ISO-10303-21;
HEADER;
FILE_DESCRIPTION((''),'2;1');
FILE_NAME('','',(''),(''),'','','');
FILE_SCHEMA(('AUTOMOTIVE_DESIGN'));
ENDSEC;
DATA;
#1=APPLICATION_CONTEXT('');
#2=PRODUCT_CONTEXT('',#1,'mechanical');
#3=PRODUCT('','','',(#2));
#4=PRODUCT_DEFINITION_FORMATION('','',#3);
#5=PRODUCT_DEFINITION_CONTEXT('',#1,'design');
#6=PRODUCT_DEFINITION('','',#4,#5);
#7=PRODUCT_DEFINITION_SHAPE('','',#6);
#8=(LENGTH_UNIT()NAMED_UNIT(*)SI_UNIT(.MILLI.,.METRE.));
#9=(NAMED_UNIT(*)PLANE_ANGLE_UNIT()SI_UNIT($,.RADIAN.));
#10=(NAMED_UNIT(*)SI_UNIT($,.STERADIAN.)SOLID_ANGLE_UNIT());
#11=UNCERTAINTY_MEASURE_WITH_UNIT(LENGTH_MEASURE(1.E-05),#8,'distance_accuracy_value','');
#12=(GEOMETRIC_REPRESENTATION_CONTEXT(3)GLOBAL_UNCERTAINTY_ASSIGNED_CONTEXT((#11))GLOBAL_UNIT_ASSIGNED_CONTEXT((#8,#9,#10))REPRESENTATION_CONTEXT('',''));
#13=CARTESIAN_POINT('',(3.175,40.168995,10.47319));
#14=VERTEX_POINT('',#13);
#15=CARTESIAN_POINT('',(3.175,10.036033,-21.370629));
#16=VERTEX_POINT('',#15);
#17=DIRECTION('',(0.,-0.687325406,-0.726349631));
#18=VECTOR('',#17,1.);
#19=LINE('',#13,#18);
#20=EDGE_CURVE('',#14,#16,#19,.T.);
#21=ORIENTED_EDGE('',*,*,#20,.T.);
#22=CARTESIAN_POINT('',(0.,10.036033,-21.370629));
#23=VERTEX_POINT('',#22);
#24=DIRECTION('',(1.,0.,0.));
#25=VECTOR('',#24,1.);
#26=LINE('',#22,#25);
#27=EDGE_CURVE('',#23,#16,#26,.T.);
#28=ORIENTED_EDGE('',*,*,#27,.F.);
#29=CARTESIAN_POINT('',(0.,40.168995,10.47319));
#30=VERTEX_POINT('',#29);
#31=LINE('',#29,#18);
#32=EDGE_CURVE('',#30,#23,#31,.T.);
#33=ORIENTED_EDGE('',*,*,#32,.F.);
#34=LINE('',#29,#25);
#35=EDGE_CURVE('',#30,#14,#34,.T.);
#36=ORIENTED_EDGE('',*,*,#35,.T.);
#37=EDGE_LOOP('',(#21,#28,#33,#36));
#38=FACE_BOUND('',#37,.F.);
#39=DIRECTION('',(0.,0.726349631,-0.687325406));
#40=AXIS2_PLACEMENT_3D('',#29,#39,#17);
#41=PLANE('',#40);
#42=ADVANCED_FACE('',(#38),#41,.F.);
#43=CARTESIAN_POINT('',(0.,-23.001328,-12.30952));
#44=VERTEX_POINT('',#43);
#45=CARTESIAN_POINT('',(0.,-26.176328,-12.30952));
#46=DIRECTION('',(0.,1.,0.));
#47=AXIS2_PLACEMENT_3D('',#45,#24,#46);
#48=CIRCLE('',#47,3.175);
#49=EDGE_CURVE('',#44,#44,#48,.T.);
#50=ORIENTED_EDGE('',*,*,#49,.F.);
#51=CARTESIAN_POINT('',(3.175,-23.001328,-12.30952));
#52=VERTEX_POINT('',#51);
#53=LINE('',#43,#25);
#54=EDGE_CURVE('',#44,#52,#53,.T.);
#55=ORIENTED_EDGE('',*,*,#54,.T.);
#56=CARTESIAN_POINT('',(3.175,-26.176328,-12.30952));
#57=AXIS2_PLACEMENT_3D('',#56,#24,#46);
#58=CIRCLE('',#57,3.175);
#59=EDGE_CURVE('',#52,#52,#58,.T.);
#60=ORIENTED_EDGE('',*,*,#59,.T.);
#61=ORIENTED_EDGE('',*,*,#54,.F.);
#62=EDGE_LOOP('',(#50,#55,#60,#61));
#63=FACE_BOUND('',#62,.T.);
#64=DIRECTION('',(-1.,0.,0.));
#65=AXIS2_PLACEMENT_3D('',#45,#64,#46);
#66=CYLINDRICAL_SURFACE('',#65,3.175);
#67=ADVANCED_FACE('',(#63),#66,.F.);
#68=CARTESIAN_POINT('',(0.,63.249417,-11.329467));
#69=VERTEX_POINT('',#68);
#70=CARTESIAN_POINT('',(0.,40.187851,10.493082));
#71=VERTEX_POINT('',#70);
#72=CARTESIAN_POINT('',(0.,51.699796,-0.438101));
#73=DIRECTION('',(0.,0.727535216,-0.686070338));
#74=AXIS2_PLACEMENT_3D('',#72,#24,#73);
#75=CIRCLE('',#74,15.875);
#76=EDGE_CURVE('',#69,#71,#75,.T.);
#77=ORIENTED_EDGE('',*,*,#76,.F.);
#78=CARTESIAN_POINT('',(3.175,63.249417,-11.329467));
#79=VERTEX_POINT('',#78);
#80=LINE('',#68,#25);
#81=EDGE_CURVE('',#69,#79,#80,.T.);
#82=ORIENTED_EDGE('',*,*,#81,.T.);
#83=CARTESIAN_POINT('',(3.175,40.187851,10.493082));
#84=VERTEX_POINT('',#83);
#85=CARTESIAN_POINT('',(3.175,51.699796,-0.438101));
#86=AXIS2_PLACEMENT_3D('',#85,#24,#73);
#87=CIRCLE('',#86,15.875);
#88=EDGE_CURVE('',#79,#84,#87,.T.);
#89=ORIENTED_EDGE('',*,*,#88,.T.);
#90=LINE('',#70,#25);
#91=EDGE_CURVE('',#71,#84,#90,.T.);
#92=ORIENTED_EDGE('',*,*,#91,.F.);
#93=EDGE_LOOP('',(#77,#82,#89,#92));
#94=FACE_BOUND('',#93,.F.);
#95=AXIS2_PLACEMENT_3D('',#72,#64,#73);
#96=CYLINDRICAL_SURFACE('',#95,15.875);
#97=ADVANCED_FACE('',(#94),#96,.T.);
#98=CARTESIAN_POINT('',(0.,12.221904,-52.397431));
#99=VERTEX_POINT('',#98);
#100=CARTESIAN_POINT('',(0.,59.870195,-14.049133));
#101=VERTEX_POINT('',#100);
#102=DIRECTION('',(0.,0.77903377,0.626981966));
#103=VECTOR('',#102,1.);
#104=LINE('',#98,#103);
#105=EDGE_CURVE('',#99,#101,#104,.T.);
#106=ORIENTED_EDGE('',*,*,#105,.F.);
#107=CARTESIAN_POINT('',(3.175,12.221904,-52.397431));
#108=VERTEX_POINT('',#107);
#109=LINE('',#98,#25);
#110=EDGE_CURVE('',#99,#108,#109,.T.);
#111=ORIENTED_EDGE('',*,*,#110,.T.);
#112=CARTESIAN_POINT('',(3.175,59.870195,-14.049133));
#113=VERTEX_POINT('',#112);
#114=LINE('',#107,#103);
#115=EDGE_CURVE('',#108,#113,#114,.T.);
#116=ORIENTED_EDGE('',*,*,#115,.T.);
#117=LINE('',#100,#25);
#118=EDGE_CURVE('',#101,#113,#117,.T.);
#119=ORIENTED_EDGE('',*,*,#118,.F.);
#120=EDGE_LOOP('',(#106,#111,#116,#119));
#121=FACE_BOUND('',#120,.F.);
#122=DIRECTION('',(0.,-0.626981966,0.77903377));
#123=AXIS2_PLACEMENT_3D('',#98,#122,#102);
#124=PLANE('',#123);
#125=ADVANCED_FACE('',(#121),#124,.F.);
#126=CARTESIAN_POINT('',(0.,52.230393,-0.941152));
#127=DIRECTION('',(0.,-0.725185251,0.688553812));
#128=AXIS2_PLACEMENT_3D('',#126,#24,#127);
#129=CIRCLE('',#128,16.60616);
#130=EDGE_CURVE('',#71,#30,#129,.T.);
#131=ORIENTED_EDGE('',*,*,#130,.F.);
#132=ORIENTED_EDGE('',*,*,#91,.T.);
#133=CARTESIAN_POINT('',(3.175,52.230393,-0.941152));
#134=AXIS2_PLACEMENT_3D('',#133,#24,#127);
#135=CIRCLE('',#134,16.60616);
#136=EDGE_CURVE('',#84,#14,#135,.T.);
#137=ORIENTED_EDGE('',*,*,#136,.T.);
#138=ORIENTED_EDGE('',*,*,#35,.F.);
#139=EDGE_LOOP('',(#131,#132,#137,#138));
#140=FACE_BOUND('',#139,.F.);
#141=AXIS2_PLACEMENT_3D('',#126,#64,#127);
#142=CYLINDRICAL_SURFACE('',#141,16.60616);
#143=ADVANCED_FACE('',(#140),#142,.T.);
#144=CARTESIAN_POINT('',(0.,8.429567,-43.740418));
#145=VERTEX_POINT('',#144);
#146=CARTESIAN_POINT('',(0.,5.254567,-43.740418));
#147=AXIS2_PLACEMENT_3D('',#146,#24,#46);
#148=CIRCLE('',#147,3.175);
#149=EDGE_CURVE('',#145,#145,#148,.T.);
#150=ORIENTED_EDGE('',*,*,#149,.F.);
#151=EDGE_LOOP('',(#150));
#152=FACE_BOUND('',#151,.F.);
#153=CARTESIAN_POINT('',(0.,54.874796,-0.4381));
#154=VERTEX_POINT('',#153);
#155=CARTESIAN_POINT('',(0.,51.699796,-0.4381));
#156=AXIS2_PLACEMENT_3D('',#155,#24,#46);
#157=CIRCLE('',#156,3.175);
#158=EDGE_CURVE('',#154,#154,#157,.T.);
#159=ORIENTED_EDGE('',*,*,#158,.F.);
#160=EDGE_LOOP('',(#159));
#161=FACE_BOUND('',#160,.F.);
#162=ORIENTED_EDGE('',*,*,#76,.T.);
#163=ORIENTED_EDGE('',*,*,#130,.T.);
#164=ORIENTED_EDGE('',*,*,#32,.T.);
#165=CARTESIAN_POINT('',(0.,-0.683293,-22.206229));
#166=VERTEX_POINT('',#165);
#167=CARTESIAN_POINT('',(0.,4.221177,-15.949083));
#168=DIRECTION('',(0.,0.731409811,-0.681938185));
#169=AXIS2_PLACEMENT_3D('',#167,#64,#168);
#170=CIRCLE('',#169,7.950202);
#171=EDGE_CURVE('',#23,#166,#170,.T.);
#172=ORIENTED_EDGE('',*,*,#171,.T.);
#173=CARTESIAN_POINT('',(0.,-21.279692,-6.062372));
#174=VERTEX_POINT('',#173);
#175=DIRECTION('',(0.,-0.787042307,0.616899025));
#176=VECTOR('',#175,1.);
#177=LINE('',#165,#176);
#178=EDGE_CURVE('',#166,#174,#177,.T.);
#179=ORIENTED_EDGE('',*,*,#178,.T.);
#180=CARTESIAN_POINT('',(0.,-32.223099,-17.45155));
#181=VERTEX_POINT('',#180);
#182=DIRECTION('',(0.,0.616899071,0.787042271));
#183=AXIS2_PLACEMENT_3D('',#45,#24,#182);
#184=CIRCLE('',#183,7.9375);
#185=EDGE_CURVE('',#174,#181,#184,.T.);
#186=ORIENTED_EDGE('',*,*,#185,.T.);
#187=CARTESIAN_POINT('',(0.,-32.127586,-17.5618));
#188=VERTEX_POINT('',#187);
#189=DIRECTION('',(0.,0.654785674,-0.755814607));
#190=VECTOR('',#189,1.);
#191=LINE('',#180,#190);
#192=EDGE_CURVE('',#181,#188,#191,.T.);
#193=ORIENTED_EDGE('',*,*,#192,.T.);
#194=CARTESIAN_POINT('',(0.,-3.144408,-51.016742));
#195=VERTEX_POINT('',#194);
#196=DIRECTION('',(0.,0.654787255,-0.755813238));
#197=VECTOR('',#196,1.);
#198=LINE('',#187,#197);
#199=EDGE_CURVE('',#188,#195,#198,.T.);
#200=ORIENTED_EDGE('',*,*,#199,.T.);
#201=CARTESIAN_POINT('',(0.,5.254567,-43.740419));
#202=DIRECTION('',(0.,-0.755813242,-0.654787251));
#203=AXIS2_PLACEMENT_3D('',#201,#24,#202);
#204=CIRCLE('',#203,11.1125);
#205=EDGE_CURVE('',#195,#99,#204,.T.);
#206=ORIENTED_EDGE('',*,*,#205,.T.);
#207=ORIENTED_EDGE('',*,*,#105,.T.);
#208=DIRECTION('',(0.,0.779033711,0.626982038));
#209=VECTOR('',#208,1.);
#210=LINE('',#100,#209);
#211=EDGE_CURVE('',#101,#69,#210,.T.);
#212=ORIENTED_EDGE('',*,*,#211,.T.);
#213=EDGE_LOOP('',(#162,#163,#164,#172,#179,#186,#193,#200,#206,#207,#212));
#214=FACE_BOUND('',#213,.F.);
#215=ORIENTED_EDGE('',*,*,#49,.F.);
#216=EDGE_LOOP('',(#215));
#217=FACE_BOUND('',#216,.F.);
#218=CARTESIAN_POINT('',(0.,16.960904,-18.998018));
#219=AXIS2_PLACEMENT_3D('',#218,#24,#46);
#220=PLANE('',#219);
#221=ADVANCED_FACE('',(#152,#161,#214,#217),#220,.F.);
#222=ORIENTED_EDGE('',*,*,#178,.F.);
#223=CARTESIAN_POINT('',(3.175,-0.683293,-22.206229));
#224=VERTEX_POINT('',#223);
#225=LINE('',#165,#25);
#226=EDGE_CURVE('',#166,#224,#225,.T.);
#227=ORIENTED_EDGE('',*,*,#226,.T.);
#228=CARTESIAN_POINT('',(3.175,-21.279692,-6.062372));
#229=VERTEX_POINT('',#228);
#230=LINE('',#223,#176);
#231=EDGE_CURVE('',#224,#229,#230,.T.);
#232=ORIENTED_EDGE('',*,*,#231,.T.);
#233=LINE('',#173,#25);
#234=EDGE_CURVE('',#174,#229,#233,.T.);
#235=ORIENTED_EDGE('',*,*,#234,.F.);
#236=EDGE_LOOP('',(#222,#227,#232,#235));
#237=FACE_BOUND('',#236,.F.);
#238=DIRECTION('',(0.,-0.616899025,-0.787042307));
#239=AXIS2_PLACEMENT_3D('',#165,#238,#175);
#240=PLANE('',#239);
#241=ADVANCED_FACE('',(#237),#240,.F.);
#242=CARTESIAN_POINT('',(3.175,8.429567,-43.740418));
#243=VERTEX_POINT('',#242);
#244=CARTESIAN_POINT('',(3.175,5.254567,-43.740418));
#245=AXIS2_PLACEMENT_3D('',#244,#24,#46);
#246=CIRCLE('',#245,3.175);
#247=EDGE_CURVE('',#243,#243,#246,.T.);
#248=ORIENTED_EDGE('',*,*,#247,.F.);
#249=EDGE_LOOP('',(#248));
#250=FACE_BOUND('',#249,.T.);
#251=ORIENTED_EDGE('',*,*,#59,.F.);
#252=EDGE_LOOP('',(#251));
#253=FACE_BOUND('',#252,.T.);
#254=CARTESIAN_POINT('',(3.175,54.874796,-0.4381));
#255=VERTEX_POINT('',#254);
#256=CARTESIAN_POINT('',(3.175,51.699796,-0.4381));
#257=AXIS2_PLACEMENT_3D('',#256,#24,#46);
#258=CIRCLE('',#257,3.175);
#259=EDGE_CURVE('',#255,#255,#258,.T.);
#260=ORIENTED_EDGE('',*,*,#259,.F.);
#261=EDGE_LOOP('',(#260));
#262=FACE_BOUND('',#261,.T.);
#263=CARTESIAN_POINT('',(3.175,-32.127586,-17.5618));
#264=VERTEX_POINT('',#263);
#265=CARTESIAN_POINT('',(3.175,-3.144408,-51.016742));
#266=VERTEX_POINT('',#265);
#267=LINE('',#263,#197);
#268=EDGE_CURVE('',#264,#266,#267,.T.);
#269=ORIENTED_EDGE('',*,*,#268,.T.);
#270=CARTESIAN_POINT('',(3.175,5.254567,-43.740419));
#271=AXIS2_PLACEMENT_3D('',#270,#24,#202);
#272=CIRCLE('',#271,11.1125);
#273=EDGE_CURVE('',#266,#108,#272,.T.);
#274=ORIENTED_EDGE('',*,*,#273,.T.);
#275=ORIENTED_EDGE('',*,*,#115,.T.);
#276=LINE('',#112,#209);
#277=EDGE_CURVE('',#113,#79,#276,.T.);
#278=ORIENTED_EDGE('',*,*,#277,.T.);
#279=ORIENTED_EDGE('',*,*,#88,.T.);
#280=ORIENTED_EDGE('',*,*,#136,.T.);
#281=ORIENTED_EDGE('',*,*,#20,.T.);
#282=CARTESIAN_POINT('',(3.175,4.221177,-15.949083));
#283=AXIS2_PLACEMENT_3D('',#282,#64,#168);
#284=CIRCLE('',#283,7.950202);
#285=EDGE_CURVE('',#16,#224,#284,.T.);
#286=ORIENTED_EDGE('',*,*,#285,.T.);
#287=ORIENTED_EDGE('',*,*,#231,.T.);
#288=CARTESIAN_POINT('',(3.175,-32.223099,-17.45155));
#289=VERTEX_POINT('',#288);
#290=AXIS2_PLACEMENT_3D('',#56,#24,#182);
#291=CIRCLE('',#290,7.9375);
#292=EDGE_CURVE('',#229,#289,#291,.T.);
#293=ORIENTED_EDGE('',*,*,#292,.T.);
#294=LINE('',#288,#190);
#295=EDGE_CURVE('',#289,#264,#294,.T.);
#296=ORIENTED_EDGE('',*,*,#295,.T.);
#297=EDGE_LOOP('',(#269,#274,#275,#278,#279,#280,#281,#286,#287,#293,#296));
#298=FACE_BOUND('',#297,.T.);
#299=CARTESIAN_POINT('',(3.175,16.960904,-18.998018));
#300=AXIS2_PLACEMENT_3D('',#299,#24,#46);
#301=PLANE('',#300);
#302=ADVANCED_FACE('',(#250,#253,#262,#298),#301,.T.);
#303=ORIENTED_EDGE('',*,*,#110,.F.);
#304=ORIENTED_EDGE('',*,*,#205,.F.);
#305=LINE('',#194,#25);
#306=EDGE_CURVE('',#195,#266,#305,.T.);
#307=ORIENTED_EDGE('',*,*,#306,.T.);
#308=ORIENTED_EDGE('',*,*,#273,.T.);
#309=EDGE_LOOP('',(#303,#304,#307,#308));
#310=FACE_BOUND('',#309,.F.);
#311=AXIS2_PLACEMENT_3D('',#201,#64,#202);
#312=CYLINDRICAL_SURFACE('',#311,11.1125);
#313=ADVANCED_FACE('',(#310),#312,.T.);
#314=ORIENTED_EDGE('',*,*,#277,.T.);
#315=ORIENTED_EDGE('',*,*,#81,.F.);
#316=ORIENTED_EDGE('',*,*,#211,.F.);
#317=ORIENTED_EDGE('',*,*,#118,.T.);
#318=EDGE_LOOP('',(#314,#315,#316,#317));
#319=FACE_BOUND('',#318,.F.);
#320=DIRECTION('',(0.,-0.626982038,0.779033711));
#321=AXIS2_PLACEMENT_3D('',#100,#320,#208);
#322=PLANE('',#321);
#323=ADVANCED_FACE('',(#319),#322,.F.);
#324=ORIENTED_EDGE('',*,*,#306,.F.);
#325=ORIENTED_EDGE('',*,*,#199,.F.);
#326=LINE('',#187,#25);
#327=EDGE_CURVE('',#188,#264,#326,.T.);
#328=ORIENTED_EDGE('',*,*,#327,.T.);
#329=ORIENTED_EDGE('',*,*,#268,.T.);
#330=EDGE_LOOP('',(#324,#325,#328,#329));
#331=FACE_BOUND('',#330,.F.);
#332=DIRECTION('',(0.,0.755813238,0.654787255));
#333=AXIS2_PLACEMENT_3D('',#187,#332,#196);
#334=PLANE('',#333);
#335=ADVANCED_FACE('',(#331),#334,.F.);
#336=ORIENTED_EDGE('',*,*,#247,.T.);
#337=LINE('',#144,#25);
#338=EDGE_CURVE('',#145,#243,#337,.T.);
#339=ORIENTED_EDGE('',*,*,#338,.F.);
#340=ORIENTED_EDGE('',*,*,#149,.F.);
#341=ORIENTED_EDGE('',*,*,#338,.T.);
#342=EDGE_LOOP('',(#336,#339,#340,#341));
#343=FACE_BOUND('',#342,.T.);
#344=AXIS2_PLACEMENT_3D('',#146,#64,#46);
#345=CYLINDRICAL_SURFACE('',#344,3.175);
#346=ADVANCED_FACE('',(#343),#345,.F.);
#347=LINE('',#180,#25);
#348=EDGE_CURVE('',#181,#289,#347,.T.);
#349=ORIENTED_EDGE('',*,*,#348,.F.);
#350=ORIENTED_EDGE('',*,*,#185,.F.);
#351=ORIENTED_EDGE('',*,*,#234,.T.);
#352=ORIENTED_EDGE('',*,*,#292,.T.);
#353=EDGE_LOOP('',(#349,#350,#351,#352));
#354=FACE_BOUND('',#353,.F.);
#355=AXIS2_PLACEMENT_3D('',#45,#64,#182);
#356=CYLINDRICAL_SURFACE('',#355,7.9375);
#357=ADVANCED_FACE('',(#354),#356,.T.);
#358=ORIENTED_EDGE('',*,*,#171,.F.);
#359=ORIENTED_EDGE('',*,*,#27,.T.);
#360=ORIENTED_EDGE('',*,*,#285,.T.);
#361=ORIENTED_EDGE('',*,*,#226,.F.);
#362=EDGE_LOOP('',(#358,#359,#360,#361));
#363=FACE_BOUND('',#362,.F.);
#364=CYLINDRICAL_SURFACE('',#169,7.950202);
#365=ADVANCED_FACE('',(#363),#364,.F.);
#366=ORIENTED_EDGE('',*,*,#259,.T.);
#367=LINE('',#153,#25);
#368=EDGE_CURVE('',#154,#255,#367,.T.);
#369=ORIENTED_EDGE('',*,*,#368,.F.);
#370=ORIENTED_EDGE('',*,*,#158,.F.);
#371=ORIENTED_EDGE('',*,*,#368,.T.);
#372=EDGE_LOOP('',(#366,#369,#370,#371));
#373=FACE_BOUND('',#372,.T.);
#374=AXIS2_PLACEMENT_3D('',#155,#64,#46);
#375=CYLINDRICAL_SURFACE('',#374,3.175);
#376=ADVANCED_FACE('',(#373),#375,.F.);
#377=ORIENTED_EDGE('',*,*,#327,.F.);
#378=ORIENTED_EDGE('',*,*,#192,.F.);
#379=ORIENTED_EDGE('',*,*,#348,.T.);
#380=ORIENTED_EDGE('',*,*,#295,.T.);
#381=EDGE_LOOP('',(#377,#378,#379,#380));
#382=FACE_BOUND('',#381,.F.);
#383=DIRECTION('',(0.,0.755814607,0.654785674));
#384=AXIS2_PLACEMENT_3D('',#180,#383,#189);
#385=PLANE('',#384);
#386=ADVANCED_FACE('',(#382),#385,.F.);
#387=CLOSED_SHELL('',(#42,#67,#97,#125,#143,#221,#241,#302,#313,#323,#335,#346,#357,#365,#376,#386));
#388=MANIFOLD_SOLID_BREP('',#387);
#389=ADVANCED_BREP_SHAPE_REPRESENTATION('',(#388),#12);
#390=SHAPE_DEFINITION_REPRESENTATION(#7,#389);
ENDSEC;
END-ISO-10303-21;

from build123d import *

# Parameters (mm, degrees)
F0_R     = 3.175
F1_DEPTH = 3.175


with BuildPart() as f1:
    # F0 (on Right) → F1 (new body)
    with BuildSketch(Plane.YZ):
        with BuildLine():
            Line((-0.683293, -22.206229), (-21.279692, -6.062372))
            ThreePointArc((-21.279692, -6.062372), (-31.89988, -6.809987), (-32.223099, -17.45155))
            Line((-32.223099, -17.45155), (-32.127586, -17.5618))
            Line((-32.127586, -17.5618), (-3.144408, -51.016742))
            ThreePointArc((-3.144408, -51.016742), (4.260096, -54.808331), (12.221904, -52.397431))
            Line((12.221904, -52.397431), (59.870195, -14.049133))
            Line((59.870195, -14.049133), (63.249417, -11.329467))
            ThreePointArc((63.249417, -11.329467), (62.611086, 11.0927), (40.187851, 10.493082))
            ThreePointArc((40.187851, 10.493082), (40.178419, 10.48314), (40.168995, 10.47319))
            Line((40.168995, 10.47319), (10.036033, -21.370629))
            ThreePointArc((10.036033, -21.370629), (4.839042, -23.875239), (-0.683293, -22.206229))
        make_face()
        with Locations((5.254567, -43.740418)):
            Circle(F0_R, mode=Mode.SUBTRACT)
        with Locations((-26.176328, -12.30952)):
            Circle(F0_R, mode=Mode.SUBTRACT)
        with Locations((51.699796, -0.4381)):
            Circle(F0_R, mode=Mode.SUBTRACT)
    extrude(amount=F1_DEPTH)


solid = f1.part
